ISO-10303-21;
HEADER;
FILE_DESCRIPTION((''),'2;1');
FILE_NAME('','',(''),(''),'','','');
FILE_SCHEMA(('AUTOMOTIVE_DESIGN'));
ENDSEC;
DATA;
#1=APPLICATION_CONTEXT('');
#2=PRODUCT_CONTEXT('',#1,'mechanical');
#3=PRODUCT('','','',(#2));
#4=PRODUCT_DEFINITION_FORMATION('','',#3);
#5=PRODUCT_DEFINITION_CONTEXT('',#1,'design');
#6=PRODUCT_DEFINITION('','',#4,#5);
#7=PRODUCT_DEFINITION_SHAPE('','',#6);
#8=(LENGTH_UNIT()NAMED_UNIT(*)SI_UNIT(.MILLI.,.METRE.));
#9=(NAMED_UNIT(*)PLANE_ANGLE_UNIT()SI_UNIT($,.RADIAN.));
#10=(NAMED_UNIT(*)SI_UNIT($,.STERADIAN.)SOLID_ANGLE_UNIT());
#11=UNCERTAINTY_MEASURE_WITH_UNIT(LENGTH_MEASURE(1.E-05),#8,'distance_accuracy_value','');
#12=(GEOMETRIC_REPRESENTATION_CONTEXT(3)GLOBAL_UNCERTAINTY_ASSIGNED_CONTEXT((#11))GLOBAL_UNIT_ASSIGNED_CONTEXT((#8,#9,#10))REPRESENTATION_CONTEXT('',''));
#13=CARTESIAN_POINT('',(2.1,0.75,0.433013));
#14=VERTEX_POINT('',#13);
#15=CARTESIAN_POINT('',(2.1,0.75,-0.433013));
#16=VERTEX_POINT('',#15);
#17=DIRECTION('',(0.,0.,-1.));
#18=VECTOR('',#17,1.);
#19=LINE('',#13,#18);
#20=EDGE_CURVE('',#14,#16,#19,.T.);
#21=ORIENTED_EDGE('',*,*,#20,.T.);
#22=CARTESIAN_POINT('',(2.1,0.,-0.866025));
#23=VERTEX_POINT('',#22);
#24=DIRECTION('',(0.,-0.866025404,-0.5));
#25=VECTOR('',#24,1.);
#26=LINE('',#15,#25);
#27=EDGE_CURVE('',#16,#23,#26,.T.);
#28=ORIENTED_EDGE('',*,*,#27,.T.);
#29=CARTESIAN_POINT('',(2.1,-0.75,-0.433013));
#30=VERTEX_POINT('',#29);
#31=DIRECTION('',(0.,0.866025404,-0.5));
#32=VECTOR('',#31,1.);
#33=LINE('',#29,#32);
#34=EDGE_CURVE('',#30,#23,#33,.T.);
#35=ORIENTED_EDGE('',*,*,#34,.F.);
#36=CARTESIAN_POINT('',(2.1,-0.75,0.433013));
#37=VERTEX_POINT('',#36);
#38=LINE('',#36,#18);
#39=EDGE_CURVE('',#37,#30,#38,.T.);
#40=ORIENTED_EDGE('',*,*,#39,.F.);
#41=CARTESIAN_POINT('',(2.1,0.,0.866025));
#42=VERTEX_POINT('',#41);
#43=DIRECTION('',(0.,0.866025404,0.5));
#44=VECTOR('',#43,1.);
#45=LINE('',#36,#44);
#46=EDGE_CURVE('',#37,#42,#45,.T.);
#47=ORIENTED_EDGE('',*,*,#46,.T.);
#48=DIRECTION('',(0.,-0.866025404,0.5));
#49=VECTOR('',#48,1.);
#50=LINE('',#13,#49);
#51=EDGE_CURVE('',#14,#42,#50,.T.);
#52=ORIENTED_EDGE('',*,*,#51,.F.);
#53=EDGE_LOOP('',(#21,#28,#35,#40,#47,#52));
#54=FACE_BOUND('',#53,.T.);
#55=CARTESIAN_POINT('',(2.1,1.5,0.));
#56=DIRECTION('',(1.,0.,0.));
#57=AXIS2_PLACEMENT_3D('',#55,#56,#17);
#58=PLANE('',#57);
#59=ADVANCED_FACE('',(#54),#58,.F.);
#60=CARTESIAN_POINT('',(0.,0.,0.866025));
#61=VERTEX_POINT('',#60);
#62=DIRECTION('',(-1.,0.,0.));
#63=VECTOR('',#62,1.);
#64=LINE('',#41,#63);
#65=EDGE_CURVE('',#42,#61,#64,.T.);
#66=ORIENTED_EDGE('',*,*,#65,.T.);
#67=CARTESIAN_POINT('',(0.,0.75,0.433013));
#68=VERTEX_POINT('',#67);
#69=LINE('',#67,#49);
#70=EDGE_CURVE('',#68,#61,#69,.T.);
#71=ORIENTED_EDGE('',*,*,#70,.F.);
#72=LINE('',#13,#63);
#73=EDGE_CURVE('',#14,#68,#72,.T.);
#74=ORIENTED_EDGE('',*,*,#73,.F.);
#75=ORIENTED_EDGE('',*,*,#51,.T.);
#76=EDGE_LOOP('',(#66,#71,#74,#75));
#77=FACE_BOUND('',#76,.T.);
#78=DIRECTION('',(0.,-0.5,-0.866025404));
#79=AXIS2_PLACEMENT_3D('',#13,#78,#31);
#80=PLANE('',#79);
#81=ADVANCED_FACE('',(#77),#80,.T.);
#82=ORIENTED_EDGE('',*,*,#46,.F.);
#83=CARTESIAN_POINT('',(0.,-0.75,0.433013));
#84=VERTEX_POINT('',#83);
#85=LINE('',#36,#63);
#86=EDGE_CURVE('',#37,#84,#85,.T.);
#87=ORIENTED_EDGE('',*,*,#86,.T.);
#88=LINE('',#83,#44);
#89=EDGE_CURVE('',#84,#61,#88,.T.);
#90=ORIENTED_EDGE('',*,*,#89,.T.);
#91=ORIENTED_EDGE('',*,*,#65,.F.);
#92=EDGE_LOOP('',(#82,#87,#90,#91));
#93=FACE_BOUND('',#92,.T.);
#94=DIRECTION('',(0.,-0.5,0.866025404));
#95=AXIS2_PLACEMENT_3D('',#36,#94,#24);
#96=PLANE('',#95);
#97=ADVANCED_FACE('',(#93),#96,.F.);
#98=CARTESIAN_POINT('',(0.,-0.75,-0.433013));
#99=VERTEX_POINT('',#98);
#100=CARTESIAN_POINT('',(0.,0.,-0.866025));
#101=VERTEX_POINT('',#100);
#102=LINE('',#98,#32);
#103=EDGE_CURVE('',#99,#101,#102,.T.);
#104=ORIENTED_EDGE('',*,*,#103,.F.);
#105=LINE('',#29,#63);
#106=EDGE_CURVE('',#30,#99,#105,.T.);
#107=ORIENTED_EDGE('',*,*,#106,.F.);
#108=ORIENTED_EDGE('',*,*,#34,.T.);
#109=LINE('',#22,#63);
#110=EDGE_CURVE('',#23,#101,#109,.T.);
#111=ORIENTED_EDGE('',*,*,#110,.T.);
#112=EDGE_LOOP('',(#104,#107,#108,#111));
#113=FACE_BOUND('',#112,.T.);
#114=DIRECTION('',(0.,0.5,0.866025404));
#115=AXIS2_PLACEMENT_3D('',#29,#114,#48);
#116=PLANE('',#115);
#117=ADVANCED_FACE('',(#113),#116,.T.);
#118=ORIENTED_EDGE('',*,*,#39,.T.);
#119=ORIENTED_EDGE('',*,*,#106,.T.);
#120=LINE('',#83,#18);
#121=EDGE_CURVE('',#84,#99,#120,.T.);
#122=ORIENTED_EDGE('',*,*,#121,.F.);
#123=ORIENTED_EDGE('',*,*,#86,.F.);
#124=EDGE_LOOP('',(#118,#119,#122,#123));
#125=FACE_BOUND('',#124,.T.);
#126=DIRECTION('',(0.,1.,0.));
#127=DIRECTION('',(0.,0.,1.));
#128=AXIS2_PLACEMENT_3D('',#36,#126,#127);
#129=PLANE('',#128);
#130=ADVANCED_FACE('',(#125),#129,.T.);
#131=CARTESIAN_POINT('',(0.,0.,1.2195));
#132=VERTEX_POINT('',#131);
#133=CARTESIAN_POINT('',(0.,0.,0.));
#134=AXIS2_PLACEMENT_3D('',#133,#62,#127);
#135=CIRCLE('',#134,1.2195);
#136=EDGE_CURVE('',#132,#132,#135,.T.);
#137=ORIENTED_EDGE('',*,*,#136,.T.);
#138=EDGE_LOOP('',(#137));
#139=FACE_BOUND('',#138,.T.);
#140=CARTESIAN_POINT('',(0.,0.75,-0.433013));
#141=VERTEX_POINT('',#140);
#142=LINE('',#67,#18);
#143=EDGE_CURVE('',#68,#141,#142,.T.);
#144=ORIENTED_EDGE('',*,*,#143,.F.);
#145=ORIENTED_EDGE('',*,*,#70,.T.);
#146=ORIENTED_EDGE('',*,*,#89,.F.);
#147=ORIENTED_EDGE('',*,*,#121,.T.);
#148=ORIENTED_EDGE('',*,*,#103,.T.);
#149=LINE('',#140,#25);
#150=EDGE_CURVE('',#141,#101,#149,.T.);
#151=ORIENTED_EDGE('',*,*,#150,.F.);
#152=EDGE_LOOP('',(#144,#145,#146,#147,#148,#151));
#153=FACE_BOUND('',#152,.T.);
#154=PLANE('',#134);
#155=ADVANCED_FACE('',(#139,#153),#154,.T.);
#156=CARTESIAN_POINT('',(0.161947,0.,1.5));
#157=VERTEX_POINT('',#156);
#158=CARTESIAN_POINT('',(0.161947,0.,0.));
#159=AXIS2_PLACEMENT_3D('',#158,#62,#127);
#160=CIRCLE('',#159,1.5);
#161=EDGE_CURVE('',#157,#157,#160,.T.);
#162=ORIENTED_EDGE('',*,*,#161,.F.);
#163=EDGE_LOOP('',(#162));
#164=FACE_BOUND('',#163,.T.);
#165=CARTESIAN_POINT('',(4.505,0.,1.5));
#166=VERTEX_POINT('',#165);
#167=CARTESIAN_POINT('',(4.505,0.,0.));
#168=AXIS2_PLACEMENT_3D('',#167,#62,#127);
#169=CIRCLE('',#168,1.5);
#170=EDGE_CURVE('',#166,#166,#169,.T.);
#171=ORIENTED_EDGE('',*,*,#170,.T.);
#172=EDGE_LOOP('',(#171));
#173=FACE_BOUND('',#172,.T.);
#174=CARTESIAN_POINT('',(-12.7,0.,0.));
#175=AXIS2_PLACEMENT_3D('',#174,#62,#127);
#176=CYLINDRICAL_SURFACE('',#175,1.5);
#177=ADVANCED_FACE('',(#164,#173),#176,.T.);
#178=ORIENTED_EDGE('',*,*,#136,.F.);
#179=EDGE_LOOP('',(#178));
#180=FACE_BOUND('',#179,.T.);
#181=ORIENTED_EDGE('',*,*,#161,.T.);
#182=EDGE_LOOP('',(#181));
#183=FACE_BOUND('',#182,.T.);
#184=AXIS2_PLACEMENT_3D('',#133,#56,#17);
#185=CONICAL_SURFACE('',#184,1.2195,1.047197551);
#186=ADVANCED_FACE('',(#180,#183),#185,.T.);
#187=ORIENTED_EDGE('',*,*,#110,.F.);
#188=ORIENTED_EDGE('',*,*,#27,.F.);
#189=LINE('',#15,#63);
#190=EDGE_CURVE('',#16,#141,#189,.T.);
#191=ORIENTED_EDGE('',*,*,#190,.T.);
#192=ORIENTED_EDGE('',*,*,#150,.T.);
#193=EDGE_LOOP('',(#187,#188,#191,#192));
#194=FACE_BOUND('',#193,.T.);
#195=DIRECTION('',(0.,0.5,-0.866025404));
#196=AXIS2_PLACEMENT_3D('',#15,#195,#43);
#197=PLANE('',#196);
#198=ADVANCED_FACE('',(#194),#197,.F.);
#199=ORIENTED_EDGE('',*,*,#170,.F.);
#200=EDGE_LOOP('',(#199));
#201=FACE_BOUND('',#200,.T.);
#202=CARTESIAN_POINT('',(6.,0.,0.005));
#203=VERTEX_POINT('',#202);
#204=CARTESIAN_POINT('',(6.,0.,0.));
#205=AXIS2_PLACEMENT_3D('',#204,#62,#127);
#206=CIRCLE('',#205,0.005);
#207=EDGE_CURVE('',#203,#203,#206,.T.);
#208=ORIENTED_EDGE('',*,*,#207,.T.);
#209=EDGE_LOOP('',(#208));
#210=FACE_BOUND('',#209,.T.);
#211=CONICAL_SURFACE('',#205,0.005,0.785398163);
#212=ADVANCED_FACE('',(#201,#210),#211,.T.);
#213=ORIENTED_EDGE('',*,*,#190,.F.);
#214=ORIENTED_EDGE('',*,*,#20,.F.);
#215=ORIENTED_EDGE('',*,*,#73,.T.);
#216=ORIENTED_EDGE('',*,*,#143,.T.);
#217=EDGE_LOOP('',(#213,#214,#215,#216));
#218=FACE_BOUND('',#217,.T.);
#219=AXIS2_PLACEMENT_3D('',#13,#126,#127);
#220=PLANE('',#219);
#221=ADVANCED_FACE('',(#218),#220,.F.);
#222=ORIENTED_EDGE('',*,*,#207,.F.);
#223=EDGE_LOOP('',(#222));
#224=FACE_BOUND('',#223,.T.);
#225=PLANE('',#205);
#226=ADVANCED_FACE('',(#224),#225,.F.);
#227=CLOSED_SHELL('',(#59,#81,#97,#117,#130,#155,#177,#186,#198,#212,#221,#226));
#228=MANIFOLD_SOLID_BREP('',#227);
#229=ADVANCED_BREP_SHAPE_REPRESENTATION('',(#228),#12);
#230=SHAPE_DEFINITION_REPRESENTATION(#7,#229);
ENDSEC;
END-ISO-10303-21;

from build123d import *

# Parameters (mm, degrees)
HEX_2_DEPTH = 2.1


with BuildPart() as part:
    # BodySke → BaseBody (revolve)
    with BuildSketch(Plane.XY):
        Polygon((0, 0), (0, 1.2195), (0.161946751, 1.5), (4.505, 1.5), (6, 0.005), (6, 0), align=None)
    revolve(axis=Axis((-12.7, 0, 0), (1, 0, 0)))

    # Sketch2 → Hex 2 (cut)
    with BuildSketch(Plane.ZY):
        Polygon((0.433012702, 0.75), (-0.433012702, 0.75), (-0.866025404, 0), (-0.433012702, -0.75), (0.433012702, -0.75), (0.866025404, 0), align=None)
    extrude(amount=-HEX_2_DEPTH, mode=Mode.SUBTRACT)


solid = part.part
